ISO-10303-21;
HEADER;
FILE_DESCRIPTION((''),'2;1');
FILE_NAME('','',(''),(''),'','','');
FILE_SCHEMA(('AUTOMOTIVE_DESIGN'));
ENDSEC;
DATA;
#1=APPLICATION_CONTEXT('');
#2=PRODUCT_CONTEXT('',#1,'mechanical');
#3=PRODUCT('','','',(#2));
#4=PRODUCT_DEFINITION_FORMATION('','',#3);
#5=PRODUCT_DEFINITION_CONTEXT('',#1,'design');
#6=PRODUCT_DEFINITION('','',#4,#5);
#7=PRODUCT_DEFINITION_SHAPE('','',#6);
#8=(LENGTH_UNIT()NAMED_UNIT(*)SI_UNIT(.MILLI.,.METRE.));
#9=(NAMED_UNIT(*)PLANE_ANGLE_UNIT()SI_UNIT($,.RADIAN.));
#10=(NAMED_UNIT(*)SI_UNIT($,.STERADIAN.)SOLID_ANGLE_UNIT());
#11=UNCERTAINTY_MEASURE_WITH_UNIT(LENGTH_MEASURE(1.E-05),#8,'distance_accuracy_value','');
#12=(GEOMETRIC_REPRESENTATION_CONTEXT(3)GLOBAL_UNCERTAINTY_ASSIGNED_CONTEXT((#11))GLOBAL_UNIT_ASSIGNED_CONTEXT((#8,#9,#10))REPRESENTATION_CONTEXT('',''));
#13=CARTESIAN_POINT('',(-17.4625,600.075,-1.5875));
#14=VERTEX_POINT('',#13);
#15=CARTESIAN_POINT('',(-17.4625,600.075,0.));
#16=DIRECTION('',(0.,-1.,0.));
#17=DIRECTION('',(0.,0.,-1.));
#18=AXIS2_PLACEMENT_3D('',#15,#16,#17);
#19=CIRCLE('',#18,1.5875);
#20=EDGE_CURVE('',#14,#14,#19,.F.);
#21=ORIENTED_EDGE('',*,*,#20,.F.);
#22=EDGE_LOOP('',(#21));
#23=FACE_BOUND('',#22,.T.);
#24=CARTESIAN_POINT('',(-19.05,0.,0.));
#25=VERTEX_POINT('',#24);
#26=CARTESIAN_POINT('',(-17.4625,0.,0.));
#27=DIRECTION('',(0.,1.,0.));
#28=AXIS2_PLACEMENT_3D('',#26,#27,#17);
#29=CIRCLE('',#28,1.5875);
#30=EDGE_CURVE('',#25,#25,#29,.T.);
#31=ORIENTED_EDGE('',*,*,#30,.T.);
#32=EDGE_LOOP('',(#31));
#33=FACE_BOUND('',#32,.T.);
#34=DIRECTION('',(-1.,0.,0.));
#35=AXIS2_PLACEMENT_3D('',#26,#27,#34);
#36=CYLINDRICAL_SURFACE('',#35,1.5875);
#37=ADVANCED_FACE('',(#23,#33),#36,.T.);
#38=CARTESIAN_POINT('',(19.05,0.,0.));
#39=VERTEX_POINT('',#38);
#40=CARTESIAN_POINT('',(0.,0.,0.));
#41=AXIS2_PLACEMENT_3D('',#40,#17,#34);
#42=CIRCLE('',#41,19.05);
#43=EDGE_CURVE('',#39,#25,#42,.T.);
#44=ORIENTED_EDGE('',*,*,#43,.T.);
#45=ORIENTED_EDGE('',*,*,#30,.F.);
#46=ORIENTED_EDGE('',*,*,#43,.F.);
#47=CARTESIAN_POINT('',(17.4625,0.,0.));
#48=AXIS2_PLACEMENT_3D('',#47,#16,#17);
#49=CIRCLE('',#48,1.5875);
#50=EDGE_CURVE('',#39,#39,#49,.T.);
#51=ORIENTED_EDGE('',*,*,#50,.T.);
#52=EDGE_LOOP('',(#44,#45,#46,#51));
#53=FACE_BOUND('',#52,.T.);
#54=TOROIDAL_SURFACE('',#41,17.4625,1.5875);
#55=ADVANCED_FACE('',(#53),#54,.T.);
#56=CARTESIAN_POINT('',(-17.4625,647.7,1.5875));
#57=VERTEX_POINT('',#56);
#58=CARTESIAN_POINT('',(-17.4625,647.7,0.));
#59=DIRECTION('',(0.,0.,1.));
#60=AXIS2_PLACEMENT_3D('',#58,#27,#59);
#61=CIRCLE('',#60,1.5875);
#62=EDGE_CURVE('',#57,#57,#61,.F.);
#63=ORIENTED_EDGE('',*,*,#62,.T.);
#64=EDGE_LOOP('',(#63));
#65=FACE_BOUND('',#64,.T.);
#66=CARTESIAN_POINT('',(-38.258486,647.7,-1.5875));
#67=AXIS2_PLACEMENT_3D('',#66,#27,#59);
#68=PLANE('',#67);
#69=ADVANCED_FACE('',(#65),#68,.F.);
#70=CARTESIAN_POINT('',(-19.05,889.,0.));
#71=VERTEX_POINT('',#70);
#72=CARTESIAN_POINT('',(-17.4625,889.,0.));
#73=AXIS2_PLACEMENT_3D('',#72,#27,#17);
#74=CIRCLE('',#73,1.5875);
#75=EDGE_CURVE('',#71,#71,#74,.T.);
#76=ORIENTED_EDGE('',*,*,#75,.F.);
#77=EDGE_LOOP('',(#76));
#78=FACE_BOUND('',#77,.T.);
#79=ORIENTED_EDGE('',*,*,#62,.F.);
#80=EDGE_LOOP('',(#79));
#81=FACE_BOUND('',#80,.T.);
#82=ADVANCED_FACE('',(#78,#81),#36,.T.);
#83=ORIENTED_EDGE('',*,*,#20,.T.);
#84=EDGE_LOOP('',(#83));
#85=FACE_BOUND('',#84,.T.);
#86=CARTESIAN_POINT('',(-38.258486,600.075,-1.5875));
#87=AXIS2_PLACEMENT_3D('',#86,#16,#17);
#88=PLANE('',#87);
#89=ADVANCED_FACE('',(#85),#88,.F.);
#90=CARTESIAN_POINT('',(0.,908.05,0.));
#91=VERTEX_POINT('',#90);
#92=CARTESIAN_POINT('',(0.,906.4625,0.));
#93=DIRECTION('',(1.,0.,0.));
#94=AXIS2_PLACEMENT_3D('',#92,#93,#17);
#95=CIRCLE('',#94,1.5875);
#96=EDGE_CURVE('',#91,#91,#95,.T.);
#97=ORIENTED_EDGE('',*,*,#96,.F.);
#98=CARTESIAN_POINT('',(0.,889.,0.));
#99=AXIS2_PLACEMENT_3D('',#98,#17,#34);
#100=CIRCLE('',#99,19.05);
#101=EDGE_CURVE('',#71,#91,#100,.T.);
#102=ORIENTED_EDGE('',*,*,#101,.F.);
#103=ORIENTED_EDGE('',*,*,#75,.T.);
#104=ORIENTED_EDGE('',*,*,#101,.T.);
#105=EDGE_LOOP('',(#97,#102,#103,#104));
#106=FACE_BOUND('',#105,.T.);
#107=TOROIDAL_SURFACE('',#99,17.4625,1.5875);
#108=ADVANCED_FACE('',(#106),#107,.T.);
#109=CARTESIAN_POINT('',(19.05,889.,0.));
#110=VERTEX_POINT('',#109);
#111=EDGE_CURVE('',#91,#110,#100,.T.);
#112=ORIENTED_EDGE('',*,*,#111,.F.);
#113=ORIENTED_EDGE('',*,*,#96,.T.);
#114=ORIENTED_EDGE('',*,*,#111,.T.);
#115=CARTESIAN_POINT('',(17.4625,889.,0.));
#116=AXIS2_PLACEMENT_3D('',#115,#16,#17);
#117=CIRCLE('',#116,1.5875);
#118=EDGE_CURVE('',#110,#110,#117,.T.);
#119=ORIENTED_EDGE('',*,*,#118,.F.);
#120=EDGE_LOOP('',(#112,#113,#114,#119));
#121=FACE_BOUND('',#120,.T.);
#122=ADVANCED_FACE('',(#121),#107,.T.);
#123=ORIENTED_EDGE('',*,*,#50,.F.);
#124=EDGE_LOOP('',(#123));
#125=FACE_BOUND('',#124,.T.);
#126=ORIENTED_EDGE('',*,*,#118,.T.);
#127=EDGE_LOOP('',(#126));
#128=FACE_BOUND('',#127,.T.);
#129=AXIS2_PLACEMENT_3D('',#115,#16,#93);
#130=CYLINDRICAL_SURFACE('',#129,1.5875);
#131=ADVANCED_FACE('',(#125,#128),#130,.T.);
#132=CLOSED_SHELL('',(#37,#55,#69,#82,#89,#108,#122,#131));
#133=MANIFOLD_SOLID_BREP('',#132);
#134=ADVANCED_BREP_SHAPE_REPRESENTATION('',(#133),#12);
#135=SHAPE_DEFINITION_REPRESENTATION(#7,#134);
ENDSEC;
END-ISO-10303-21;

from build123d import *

# Parameters (mm, degrees)
SKETCH2_R               = 1.5875
SKETCH3_W               = 36.037797304
SKETCH3_H               = 47.625
CUT_EXTRUDE1_DEPTH      = 2.5875001
CUT_EXTRUDE1_DEPTH_BACK = 2.5875001


with BuildPart() as part:
    # Sweep1: sweep along a path in Sketch1
    with BuildLine(Plane.XY) as sweep1_path:
        Line((-17.4625, 889), (-17.4625, 0))
        ThreePointArc((-17.4625, 0), (0, -17.4625), (17.4625, 0))
        Line((17.4625, 0), (17.4625, 889))
        ThreePointArc((17.4625, 889), (0, 906.4625), (-17.4625, 889))
    # Sketch2 → Sweep1 (sweep)
    with BuildSketch(Plane(origin=(0, 0, 0), x_dir=(0, 0, -1), z_dir=(1, 0, 0))):
        with Locations((0, 906.4625)):
            Circle(SKETCH2_R)
    sweep(path=sweep1_path.line)

    # Sketch3 → Cut-Extrude1 (cut, two sides)
    with BuildSketch(Plane.XY) as cut_extrude1_sk:
        with Locations((-20.239587833, 623.8875)):
            Rectangle(SKETCH3_W, SKETCH3_H)
    extrude(amount=CUT_EXTRUDE1_DEPTH, mode=Mode.SUBTRACT)
    extrude(cut_extrude1_sk.sketch, amount=-CUT_EXTRUDE1_DEPTH_BACK, mode=Mode.SUBTRACT)


solid = part.part
